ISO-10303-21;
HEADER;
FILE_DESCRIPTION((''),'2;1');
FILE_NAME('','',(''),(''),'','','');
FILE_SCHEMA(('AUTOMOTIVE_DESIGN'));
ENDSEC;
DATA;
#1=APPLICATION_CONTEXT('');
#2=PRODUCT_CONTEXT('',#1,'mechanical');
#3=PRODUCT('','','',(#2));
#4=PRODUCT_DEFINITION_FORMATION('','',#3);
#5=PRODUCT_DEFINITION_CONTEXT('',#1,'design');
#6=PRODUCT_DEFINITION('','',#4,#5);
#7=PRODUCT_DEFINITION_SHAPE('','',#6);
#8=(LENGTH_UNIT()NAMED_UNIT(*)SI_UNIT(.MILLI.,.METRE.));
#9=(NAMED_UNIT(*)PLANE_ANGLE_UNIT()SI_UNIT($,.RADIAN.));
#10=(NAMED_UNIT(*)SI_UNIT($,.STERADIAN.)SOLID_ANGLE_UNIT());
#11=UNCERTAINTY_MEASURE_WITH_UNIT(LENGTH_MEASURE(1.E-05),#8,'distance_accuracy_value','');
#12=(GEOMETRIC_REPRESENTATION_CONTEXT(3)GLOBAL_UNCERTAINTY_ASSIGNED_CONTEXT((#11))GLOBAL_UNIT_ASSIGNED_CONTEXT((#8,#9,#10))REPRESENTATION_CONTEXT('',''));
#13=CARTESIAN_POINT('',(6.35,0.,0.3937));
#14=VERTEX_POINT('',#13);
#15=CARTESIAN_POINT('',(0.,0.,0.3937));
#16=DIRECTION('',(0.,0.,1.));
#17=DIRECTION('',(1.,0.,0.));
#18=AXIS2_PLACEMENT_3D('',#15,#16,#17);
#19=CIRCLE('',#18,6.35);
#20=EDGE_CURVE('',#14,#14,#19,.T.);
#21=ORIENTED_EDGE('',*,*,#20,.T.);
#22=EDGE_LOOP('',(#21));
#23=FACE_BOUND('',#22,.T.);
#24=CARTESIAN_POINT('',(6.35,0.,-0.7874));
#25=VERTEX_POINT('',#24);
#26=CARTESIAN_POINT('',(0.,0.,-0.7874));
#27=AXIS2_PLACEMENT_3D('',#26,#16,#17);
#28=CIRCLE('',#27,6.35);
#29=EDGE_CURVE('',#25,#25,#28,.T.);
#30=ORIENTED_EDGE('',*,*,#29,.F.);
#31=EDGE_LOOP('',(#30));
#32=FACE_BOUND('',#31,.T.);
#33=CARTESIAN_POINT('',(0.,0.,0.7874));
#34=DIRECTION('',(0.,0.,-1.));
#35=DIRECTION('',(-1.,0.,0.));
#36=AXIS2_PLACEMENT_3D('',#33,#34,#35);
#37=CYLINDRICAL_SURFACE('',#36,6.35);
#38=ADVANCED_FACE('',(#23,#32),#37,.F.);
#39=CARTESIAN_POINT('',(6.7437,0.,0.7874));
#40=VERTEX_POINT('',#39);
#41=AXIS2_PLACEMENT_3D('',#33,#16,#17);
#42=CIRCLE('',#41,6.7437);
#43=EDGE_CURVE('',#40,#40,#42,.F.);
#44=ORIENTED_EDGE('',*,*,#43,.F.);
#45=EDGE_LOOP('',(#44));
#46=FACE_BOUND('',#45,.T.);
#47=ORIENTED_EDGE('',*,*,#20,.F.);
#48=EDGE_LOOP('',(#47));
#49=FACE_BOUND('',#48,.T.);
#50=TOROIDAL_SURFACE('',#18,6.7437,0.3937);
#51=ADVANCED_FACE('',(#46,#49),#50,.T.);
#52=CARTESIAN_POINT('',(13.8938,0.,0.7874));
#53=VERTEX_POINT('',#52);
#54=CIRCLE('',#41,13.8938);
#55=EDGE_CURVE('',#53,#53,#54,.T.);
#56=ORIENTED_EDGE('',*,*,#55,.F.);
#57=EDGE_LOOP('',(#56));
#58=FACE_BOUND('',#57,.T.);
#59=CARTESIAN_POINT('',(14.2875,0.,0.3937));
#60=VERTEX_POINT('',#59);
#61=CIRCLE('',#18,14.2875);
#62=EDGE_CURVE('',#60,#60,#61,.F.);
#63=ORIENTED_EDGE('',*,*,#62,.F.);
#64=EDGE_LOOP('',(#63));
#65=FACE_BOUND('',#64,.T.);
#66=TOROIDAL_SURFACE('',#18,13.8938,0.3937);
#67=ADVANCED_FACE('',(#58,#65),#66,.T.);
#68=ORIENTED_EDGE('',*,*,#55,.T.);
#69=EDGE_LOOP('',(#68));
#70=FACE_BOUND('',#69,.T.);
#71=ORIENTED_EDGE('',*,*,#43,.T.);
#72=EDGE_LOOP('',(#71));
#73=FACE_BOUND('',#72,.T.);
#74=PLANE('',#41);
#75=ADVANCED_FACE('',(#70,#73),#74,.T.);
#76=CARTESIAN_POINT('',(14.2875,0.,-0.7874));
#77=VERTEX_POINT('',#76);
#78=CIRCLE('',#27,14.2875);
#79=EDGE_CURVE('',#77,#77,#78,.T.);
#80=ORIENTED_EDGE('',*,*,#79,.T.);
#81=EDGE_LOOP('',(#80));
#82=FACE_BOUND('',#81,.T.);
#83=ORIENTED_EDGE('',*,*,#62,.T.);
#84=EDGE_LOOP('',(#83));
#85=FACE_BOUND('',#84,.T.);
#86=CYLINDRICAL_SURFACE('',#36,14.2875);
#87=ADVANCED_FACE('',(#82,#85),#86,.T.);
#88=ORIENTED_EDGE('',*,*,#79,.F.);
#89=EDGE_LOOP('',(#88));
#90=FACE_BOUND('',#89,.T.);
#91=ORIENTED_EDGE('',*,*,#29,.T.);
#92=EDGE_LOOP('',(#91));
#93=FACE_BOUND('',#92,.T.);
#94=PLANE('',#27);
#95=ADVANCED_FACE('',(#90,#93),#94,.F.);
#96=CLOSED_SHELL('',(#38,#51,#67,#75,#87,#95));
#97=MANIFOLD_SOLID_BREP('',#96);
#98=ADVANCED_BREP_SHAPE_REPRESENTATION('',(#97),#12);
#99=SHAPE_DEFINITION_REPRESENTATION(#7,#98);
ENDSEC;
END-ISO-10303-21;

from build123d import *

# Parameters (mm, degrees)
SKETCH3_R                = 14.2875
SKETCH3_R_2              = 6.35
BOSS_EXTRUDE1_DEPTH      = 0.7874
BOSS_EXTRUDE1_DEPTH_BACK = 0.7874
FILLET1_R                = 0.3937


with BuildPart() as part:
    # Sketch3 → Boss-Extrude1 (new body, two sides)
    with BuildSketch(Plane.XY) as boss_extrude1_sk:
        Circle(SKETCH3_R)
        Circle(SKETCH3_R_2, mode=Mode.SUBTRACT)
    extrude(amount=BOSS_EXTRUDE1_DEPTH)
    extrude(boss_extrude1_sk.sketch, amount=-BOSS_EXTRUDE1_DEPTH_BACK)

    # Fillet1
    fillet1_edges = [part.edges().sort_by_distance(p)[0] for p in [
        (-14.2875, 0, 0.7874),
        (-6.35, 0, 0.7874),
    ]]
    fillet(fillet1_edges, radius=FILLET1_R)


solid = part.part
